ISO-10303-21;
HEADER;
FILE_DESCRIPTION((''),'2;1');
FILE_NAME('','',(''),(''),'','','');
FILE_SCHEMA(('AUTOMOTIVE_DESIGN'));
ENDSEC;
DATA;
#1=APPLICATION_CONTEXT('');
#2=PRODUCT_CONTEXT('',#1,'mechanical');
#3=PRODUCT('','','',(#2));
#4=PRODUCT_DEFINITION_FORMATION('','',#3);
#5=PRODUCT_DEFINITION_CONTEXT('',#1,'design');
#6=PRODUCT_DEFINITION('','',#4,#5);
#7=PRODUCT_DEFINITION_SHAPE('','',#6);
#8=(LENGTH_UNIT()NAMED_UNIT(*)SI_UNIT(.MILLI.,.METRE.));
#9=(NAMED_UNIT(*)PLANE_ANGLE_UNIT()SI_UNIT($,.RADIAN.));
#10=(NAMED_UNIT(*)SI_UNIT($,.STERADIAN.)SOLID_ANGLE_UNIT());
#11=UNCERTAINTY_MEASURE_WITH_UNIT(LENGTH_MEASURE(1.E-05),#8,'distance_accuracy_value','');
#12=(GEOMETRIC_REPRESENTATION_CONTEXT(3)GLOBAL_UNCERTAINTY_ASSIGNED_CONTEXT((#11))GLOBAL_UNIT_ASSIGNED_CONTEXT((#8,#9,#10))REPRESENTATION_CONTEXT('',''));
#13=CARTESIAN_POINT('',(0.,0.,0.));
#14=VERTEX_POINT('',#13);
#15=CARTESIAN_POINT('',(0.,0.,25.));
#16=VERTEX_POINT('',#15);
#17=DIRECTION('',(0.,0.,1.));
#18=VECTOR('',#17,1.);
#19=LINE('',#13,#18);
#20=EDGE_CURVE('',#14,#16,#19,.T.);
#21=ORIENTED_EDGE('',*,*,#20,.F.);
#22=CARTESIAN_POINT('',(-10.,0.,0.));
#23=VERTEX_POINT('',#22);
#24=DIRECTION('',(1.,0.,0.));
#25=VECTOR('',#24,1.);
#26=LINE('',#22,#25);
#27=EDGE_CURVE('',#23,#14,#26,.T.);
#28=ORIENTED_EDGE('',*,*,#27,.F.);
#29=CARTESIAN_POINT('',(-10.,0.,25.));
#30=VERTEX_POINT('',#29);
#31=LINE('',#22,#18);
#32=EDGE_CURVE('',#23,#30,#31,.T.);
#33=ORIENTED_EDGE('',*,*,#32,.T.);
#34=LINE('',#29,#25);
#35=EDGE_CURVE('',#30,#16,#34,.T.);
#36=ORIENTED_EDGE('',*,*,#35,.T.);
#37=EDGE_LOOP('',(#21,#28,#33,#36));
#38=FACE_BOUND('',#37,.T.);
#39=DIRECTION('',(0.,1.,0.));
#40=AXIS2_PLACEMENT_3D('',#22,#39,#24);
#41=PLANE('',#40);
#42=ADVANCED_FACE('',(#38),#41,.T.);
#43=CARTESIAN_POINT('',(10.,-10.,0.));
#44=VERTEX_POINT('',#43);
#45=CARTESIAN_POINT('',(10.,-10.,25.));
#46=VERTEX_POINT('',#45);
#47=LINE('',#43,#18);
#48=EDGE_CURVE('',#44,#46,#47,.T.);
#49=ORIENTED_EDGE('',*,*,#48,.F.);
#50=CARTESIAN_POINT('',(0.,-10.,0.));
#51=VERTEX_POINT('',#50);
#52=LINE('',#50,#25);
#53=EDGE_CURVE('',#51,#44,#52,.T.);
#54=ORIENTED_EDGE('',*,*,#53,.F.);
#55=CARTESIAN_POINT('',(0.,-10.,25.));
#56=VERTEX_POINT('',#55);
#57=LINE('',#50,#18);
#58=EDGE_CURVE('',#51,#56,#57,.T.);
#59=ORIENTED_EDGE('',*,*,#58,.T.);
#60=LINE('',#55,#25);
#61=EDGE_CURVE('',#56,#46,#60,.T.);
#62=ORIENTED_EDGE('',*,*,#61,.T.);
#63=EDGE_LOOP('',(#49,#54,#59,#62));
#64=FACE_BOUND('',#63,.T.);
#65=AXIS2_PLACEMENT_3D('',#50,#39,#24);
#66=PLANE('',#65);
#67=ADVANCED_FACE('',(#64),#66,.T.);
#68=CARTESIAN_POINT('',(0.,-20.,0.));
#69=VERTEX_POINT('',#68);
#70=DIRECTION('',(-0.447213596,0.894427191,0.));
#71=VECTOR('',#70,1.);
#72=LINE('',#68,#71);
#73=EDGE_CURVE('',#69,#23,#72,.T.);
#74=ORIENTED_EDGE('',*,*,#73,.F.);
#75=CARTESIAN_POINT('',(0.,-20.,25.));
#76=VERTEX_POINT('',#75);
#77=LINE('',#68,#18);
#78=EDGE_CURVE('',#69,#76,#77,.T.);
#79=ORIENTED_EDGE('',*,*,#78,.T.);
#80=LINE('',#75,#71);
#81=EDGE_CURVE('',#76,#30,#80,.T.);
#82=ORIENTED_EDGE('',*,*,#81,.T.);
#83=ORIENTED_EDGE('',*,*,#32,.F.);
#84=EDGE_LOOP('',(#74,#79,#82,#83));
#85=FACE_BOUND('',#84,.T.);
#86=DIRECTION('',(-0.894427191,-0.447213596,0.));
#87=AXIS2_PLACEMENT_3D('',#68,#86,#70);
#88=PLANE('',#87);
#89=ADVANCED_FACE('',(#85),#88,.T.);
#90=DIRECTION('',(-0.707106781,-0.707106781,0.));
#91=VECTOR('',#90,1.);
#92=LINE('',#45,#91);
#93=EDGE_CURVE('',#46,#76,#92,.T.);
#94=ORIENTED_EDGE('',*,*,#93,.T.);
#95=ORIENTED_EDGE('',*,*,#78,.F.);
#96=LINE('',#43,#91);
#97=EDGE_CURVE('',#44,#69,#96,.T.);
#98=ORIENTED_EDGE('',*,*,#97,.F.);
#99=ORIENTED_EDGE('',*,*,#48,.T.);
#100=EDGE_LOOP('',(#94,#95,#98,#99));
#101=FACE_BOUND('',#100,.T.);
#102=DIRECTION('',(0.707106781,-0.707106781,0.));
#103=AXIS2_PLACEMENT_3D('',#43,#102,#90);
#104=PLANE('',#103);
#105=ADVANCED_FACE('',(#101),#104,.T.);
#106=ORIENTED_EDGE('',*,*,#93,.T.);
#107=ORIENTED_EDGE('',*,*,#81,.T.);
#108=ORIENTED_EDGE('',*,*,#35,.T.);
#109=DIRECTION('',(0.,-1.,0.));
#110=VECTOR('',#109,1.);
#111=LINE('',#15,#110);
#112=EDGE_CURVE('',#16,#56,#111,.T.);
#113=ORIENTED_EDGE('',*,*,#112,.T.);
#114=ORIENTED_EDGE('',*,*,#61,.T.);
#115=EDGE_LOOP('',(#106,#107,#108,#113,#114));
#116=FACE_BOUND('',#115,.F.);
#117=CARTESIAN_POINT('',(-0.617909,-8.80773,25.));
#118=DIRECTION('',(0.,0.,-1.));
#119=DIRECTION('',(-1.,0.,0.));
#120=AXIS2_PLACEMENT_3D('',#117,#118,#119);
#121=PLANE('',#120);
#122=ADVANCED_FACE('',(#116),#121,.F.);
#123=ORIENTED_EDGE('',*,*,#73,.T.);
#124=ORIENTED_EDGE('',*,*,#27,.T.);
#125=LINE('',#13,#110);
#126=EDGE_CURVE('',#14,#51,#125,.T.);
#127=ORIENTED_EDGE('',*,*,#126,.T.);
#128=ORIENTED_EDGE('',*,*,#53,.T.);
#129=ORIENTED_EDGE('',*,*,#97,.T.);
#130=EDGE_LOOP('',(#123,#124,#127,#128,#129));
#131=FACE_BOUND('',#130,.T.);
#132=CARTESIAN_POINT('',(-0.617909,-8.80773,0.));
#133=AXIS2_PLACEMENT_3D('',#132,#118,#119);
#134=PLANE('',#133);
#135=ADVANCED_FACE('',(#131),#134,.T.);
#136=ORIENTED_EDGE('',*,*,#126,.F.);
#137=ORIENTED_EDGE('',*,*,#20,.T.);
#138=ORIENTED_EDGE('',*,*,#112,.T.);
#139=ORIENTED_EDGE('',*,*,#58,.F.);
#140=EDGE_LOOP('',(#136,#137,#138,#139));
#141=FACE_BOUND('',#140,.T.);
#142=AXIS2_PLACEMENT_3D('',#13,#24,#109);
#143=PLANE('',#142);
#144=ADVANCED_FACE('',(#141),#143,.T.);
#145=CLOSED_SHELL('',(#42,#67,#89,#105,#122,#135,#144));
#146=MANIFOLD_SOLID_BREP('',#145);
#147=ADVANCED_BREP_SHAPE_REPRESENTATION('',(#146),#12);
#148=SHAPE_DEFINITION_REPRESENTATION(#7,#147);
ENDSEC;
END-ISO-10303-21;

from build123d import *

# Parameters (mm, degrees)
BOSS_EXTRUDE2_DEPTH = 25


with BuildPart() as part:
    # Sketch1 → Boss-Extrude2 (new body)
    with BuildSketch(Plane.XY):
        Polygon((-10, 0), (0, 0), (0, -10), (10, -10), (0, -20), align=None)
    extrude(amount=BOSS_EXTRUDE2_DEPTH)


solid = part.part
